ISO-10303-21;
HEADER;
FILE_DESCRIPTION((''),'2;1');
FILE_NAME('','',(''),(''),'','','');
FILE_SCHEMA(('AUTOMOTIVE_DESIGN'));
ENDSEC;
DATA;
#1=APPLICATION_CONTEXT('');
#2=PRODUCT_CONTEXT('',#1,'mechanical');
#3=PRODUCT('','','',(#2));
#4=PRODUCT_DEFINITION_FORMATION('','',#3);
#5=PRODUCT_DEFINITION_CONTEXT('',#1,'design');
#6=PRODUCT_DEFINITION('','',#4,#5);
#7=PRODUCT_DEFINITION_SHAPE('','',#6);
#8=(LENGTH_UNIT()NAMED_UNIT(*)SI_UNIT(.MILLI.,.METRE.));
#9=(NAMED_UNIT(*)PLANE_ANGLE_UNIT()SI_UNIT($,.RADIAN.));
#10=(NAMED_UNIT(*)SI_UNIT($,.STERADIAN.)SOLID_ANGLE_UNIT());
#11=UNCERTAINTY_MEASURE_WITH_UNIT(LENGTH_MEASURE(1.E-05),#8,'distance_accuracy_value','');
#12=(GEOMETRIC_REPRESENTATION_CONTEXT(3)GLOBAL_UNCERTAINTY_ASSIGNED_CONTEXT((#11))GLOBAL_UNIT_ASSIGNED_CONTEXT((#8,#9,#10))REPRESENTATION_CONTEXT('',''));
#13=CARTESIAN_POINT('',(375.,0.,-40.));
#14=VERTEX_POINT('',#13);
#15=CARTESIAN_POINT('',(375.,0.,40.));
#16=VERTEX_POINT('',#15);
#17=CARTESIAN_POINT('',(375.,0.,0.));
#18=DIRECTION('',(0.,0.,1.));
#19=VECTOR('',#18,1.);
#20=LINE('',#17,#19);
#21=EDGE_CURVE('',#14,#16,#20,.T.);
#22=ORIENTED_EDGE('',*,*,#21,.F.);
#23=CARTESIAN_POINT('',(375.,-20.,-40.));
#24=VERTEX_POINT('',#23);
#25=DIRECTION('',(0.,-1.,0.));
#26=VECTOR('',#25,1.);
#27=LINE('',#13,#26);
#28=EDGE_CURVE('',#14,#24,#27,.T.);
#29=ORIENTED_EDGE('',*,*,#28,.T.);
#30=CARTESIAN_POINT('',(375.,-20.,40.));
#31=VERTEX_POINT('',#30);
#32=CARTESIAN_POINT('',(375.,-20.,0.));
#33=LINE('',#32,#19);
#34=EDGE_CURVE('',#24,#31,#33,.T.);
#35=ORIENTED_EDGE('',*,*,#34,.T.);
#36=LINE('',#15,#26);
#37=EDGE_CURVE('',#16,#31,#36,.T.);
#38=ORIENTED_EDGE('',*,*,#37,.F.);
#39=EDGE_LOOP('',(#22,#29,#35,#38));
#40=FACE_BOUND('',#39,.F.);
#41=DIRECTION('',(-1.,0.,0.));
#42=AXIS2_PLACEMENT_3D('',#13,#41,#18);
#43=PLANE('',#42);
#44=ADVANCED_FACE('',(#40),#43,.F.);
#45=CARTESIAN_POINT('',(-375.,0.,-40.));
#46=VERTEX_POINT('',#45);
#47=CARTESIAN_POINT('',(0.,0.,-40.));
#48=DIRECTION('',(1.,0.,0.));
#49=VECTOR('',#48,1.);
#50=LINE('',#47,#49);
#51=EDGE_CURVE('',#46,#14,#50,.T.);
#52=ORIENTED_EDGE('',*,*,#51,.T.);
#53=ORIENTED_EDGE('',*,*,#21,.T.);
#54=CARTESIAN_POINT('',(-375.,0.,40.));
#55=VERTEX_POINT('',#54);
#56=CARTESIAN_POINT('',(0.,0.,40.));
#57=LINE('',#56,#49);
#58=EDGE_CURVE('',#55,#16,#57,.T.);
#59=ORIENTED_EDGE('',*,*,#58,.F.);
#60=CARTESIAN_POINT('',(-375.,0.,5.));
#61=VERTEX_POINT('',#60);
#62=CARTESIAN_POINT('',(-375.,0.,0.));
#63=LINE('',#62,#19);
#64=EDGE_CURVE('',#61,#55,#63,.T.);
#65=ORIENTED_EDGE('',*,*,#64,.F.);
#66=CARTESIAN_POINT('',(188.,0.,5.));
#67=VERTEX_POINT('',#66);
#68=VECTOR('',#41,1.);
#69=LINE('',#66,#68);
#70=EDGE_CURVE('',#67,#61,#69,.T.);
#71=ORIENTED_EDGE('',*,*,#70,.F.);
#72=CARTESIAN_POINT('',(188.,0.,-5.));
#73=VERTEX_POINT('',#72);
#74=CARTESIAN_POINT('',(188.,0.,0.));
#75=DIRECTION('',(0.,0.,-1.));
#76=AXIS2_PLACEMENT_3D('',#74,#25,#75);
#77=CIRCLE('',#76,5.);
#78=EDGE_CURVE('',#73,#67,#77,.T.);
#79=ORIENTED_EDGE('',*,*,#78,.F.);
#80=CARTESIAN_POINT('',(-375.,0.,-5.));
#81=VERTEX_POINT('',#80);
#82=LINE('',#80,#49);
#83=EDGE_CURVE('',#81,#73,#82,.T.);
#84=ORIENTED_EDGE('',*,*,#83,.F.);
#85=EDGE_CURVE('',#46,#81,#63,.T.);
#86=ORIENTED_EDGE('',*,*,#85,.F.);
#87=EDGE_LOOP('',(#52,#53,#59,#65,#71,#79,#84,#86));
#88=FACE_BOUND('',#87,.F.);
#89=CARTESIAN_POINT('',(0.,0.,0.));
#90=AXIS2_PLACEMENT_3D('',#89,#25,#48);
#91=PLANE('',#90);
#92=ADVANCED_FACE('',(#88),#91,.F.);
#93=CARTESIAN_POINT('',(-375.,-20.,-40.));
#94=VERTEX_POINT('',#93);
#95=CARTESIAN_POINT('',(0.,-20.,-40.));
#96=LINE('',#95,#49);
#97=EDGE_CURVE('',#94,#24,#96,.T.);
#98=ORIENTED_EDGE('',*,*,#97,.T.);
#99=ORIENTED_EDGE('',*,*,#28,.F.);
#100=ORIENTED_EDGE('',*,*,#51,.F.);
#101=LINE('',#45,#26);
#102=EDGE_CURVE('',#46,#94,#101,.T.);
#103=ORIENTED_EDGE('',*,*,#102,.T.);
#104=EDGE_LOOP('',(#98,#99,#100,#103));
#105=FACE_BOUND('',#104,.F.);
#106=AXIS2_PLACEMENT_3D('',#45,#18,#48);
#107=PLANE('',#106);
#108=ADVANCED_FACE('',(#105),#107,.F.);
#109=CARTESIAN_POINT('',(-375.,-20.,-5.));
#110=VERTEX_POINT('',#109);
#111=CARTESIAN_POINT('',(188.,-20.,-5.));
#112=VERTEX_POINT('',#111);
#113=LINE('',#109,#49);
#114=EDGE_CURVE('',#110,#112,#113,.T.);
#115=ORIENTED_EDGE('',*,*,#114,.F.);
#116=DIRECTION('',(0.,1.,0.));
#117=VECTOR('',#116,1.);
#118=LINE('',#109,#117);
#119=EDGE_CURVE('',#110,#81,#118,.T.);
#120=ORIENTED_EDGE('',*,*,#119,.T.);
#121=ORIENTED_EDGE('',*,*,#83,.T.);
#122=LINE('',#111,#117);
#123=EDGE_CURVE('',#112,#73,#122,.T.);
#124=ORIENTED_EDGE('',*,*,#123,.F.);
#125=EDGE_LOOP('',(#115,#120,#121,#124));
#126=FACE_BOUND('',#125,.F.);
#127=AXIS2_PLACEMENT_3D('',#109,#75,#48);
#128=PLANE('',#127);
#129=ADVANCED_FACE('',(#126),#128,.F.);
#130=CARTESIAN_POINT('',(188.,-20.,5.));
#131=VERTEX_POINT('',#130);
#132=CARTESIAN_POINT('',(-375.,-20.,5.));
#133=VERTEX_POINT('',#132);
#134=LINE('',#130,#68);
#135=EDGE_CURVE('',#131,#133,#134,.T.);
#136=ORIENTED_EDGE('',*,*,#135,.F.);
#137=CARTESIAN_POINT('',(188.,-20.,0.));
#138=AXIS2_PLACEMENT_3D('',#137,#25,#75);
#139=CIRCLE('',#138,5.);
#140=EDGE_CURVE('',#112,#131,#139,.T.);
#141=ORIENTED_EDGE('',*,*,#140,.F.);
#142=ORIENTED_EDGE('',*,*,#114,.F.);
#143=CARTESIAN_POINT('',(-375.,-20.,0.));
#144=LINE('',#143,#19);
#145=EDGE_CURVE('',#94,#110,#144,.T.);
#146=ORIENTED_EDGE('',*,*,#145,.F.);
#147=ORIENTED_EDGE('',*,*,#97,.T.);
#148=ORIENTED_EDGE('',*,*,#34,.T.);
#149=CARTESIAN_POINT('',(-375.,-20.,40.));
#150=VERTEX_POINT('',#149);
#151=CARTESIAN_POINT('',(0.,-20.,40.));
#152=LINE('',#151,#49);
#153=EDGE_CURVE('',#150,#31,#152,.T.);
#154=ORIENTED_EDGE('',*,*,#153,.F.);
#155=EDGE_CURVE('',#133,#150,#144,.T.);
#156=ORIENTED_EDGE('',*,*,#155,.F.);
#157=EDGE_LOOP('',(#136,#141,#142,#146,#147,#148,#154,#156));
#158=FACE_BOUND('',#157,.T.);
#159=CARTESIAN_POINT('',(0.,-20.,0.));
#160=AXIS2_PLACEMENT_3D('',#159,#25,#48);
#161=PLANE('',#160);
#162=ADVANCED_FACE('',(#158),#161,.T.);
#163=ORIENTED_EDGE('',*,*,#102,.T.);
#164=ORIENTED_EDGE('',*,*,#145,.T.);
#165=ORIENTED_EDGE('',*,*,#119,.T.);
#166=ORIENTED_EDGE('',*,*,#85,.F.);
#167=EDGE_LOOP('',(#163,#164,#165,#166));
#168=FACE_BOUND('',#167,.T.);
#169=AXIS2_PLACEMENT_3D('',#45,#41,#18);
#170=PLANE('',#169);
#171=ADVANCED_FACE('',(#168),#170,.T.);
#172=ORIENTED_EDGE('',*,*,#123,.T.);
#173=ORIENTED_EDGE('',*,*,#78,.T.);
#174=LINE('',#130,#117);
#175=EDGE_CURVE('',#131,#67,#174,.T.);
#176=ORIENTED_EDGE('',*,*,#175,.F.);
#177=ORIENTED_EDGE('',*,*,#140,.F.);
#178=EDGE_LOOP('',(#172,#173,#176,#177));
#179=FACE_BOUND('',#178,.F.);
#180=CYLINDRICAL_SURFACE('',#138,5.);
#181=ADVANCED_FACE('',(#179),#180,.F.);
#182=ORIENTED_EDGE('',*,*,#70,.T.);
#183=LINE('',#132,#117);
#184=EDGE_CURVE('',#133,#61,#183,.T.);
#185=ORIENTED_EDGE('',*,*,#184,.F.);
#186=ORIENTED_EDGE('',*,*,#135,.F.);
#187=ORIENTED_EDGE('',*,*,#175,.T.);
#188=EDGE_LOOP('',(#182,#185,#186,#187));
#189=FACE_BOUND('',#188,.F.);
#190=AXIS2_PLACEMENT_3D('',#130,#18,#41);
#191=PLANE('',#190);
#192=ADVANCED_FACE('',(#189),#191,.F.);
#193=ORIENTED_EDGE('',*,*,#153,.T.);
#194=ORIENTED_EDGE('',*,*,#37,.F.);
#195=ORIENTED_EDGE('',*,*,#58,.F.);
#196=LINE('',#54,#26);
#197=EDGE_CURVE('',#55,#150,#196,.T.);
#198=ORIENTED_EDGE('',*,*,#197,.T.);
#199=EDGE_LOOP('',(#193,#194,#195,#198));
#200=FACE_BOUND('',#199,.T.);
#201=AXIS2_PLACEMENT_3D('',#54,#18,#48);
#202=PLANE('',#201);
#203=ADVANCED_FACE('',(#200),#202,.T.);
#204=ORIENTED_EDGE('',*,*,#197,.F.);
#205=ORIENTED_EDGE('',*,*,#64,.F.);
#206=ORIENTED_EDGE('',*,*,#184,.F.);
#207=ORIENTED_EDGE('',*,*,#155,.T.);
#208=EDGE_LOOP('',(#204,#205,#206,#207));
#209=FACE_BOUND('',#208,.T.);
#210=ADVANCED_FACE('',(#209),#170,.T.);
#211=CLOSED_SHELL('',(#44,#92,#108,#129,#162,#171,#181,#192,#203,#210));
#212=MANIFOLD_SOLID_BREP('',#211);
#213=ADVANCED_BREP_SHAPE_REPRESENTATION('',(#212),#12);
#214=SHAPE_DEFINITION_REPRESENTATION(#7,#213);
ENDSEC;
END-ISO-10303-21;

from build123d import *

# Parameters (mm, degrees)
F0_W     = 750
F0_H     = 80
F1_DEPTH = 20
F4_DEPTH = 20


with BuildPart() as f1:
    # F0 (on Front) → F1 (new body)
    with BuildSketch(Plane.XZ):
        Rectangle(F0_W, F0_H)
    extrude(amount=F1_DEPTH)

    # F3 (on face) → F4 (cut, through all)
    with BuildSketch(Plane.XZ.offset(20)):
        with BuildLine():
            Line((188, 5), (-375, 5))
            Line((-375, 5), (-375, -5))
            Line((-375, -5), (188, -5))
            ThreePointArc((188, -5), (193, 0), (188, 5))
        make_face()
    extrude(amount=-F4_DEPTH, mode=Mode.SUBTRACT)


solid = f1.part
